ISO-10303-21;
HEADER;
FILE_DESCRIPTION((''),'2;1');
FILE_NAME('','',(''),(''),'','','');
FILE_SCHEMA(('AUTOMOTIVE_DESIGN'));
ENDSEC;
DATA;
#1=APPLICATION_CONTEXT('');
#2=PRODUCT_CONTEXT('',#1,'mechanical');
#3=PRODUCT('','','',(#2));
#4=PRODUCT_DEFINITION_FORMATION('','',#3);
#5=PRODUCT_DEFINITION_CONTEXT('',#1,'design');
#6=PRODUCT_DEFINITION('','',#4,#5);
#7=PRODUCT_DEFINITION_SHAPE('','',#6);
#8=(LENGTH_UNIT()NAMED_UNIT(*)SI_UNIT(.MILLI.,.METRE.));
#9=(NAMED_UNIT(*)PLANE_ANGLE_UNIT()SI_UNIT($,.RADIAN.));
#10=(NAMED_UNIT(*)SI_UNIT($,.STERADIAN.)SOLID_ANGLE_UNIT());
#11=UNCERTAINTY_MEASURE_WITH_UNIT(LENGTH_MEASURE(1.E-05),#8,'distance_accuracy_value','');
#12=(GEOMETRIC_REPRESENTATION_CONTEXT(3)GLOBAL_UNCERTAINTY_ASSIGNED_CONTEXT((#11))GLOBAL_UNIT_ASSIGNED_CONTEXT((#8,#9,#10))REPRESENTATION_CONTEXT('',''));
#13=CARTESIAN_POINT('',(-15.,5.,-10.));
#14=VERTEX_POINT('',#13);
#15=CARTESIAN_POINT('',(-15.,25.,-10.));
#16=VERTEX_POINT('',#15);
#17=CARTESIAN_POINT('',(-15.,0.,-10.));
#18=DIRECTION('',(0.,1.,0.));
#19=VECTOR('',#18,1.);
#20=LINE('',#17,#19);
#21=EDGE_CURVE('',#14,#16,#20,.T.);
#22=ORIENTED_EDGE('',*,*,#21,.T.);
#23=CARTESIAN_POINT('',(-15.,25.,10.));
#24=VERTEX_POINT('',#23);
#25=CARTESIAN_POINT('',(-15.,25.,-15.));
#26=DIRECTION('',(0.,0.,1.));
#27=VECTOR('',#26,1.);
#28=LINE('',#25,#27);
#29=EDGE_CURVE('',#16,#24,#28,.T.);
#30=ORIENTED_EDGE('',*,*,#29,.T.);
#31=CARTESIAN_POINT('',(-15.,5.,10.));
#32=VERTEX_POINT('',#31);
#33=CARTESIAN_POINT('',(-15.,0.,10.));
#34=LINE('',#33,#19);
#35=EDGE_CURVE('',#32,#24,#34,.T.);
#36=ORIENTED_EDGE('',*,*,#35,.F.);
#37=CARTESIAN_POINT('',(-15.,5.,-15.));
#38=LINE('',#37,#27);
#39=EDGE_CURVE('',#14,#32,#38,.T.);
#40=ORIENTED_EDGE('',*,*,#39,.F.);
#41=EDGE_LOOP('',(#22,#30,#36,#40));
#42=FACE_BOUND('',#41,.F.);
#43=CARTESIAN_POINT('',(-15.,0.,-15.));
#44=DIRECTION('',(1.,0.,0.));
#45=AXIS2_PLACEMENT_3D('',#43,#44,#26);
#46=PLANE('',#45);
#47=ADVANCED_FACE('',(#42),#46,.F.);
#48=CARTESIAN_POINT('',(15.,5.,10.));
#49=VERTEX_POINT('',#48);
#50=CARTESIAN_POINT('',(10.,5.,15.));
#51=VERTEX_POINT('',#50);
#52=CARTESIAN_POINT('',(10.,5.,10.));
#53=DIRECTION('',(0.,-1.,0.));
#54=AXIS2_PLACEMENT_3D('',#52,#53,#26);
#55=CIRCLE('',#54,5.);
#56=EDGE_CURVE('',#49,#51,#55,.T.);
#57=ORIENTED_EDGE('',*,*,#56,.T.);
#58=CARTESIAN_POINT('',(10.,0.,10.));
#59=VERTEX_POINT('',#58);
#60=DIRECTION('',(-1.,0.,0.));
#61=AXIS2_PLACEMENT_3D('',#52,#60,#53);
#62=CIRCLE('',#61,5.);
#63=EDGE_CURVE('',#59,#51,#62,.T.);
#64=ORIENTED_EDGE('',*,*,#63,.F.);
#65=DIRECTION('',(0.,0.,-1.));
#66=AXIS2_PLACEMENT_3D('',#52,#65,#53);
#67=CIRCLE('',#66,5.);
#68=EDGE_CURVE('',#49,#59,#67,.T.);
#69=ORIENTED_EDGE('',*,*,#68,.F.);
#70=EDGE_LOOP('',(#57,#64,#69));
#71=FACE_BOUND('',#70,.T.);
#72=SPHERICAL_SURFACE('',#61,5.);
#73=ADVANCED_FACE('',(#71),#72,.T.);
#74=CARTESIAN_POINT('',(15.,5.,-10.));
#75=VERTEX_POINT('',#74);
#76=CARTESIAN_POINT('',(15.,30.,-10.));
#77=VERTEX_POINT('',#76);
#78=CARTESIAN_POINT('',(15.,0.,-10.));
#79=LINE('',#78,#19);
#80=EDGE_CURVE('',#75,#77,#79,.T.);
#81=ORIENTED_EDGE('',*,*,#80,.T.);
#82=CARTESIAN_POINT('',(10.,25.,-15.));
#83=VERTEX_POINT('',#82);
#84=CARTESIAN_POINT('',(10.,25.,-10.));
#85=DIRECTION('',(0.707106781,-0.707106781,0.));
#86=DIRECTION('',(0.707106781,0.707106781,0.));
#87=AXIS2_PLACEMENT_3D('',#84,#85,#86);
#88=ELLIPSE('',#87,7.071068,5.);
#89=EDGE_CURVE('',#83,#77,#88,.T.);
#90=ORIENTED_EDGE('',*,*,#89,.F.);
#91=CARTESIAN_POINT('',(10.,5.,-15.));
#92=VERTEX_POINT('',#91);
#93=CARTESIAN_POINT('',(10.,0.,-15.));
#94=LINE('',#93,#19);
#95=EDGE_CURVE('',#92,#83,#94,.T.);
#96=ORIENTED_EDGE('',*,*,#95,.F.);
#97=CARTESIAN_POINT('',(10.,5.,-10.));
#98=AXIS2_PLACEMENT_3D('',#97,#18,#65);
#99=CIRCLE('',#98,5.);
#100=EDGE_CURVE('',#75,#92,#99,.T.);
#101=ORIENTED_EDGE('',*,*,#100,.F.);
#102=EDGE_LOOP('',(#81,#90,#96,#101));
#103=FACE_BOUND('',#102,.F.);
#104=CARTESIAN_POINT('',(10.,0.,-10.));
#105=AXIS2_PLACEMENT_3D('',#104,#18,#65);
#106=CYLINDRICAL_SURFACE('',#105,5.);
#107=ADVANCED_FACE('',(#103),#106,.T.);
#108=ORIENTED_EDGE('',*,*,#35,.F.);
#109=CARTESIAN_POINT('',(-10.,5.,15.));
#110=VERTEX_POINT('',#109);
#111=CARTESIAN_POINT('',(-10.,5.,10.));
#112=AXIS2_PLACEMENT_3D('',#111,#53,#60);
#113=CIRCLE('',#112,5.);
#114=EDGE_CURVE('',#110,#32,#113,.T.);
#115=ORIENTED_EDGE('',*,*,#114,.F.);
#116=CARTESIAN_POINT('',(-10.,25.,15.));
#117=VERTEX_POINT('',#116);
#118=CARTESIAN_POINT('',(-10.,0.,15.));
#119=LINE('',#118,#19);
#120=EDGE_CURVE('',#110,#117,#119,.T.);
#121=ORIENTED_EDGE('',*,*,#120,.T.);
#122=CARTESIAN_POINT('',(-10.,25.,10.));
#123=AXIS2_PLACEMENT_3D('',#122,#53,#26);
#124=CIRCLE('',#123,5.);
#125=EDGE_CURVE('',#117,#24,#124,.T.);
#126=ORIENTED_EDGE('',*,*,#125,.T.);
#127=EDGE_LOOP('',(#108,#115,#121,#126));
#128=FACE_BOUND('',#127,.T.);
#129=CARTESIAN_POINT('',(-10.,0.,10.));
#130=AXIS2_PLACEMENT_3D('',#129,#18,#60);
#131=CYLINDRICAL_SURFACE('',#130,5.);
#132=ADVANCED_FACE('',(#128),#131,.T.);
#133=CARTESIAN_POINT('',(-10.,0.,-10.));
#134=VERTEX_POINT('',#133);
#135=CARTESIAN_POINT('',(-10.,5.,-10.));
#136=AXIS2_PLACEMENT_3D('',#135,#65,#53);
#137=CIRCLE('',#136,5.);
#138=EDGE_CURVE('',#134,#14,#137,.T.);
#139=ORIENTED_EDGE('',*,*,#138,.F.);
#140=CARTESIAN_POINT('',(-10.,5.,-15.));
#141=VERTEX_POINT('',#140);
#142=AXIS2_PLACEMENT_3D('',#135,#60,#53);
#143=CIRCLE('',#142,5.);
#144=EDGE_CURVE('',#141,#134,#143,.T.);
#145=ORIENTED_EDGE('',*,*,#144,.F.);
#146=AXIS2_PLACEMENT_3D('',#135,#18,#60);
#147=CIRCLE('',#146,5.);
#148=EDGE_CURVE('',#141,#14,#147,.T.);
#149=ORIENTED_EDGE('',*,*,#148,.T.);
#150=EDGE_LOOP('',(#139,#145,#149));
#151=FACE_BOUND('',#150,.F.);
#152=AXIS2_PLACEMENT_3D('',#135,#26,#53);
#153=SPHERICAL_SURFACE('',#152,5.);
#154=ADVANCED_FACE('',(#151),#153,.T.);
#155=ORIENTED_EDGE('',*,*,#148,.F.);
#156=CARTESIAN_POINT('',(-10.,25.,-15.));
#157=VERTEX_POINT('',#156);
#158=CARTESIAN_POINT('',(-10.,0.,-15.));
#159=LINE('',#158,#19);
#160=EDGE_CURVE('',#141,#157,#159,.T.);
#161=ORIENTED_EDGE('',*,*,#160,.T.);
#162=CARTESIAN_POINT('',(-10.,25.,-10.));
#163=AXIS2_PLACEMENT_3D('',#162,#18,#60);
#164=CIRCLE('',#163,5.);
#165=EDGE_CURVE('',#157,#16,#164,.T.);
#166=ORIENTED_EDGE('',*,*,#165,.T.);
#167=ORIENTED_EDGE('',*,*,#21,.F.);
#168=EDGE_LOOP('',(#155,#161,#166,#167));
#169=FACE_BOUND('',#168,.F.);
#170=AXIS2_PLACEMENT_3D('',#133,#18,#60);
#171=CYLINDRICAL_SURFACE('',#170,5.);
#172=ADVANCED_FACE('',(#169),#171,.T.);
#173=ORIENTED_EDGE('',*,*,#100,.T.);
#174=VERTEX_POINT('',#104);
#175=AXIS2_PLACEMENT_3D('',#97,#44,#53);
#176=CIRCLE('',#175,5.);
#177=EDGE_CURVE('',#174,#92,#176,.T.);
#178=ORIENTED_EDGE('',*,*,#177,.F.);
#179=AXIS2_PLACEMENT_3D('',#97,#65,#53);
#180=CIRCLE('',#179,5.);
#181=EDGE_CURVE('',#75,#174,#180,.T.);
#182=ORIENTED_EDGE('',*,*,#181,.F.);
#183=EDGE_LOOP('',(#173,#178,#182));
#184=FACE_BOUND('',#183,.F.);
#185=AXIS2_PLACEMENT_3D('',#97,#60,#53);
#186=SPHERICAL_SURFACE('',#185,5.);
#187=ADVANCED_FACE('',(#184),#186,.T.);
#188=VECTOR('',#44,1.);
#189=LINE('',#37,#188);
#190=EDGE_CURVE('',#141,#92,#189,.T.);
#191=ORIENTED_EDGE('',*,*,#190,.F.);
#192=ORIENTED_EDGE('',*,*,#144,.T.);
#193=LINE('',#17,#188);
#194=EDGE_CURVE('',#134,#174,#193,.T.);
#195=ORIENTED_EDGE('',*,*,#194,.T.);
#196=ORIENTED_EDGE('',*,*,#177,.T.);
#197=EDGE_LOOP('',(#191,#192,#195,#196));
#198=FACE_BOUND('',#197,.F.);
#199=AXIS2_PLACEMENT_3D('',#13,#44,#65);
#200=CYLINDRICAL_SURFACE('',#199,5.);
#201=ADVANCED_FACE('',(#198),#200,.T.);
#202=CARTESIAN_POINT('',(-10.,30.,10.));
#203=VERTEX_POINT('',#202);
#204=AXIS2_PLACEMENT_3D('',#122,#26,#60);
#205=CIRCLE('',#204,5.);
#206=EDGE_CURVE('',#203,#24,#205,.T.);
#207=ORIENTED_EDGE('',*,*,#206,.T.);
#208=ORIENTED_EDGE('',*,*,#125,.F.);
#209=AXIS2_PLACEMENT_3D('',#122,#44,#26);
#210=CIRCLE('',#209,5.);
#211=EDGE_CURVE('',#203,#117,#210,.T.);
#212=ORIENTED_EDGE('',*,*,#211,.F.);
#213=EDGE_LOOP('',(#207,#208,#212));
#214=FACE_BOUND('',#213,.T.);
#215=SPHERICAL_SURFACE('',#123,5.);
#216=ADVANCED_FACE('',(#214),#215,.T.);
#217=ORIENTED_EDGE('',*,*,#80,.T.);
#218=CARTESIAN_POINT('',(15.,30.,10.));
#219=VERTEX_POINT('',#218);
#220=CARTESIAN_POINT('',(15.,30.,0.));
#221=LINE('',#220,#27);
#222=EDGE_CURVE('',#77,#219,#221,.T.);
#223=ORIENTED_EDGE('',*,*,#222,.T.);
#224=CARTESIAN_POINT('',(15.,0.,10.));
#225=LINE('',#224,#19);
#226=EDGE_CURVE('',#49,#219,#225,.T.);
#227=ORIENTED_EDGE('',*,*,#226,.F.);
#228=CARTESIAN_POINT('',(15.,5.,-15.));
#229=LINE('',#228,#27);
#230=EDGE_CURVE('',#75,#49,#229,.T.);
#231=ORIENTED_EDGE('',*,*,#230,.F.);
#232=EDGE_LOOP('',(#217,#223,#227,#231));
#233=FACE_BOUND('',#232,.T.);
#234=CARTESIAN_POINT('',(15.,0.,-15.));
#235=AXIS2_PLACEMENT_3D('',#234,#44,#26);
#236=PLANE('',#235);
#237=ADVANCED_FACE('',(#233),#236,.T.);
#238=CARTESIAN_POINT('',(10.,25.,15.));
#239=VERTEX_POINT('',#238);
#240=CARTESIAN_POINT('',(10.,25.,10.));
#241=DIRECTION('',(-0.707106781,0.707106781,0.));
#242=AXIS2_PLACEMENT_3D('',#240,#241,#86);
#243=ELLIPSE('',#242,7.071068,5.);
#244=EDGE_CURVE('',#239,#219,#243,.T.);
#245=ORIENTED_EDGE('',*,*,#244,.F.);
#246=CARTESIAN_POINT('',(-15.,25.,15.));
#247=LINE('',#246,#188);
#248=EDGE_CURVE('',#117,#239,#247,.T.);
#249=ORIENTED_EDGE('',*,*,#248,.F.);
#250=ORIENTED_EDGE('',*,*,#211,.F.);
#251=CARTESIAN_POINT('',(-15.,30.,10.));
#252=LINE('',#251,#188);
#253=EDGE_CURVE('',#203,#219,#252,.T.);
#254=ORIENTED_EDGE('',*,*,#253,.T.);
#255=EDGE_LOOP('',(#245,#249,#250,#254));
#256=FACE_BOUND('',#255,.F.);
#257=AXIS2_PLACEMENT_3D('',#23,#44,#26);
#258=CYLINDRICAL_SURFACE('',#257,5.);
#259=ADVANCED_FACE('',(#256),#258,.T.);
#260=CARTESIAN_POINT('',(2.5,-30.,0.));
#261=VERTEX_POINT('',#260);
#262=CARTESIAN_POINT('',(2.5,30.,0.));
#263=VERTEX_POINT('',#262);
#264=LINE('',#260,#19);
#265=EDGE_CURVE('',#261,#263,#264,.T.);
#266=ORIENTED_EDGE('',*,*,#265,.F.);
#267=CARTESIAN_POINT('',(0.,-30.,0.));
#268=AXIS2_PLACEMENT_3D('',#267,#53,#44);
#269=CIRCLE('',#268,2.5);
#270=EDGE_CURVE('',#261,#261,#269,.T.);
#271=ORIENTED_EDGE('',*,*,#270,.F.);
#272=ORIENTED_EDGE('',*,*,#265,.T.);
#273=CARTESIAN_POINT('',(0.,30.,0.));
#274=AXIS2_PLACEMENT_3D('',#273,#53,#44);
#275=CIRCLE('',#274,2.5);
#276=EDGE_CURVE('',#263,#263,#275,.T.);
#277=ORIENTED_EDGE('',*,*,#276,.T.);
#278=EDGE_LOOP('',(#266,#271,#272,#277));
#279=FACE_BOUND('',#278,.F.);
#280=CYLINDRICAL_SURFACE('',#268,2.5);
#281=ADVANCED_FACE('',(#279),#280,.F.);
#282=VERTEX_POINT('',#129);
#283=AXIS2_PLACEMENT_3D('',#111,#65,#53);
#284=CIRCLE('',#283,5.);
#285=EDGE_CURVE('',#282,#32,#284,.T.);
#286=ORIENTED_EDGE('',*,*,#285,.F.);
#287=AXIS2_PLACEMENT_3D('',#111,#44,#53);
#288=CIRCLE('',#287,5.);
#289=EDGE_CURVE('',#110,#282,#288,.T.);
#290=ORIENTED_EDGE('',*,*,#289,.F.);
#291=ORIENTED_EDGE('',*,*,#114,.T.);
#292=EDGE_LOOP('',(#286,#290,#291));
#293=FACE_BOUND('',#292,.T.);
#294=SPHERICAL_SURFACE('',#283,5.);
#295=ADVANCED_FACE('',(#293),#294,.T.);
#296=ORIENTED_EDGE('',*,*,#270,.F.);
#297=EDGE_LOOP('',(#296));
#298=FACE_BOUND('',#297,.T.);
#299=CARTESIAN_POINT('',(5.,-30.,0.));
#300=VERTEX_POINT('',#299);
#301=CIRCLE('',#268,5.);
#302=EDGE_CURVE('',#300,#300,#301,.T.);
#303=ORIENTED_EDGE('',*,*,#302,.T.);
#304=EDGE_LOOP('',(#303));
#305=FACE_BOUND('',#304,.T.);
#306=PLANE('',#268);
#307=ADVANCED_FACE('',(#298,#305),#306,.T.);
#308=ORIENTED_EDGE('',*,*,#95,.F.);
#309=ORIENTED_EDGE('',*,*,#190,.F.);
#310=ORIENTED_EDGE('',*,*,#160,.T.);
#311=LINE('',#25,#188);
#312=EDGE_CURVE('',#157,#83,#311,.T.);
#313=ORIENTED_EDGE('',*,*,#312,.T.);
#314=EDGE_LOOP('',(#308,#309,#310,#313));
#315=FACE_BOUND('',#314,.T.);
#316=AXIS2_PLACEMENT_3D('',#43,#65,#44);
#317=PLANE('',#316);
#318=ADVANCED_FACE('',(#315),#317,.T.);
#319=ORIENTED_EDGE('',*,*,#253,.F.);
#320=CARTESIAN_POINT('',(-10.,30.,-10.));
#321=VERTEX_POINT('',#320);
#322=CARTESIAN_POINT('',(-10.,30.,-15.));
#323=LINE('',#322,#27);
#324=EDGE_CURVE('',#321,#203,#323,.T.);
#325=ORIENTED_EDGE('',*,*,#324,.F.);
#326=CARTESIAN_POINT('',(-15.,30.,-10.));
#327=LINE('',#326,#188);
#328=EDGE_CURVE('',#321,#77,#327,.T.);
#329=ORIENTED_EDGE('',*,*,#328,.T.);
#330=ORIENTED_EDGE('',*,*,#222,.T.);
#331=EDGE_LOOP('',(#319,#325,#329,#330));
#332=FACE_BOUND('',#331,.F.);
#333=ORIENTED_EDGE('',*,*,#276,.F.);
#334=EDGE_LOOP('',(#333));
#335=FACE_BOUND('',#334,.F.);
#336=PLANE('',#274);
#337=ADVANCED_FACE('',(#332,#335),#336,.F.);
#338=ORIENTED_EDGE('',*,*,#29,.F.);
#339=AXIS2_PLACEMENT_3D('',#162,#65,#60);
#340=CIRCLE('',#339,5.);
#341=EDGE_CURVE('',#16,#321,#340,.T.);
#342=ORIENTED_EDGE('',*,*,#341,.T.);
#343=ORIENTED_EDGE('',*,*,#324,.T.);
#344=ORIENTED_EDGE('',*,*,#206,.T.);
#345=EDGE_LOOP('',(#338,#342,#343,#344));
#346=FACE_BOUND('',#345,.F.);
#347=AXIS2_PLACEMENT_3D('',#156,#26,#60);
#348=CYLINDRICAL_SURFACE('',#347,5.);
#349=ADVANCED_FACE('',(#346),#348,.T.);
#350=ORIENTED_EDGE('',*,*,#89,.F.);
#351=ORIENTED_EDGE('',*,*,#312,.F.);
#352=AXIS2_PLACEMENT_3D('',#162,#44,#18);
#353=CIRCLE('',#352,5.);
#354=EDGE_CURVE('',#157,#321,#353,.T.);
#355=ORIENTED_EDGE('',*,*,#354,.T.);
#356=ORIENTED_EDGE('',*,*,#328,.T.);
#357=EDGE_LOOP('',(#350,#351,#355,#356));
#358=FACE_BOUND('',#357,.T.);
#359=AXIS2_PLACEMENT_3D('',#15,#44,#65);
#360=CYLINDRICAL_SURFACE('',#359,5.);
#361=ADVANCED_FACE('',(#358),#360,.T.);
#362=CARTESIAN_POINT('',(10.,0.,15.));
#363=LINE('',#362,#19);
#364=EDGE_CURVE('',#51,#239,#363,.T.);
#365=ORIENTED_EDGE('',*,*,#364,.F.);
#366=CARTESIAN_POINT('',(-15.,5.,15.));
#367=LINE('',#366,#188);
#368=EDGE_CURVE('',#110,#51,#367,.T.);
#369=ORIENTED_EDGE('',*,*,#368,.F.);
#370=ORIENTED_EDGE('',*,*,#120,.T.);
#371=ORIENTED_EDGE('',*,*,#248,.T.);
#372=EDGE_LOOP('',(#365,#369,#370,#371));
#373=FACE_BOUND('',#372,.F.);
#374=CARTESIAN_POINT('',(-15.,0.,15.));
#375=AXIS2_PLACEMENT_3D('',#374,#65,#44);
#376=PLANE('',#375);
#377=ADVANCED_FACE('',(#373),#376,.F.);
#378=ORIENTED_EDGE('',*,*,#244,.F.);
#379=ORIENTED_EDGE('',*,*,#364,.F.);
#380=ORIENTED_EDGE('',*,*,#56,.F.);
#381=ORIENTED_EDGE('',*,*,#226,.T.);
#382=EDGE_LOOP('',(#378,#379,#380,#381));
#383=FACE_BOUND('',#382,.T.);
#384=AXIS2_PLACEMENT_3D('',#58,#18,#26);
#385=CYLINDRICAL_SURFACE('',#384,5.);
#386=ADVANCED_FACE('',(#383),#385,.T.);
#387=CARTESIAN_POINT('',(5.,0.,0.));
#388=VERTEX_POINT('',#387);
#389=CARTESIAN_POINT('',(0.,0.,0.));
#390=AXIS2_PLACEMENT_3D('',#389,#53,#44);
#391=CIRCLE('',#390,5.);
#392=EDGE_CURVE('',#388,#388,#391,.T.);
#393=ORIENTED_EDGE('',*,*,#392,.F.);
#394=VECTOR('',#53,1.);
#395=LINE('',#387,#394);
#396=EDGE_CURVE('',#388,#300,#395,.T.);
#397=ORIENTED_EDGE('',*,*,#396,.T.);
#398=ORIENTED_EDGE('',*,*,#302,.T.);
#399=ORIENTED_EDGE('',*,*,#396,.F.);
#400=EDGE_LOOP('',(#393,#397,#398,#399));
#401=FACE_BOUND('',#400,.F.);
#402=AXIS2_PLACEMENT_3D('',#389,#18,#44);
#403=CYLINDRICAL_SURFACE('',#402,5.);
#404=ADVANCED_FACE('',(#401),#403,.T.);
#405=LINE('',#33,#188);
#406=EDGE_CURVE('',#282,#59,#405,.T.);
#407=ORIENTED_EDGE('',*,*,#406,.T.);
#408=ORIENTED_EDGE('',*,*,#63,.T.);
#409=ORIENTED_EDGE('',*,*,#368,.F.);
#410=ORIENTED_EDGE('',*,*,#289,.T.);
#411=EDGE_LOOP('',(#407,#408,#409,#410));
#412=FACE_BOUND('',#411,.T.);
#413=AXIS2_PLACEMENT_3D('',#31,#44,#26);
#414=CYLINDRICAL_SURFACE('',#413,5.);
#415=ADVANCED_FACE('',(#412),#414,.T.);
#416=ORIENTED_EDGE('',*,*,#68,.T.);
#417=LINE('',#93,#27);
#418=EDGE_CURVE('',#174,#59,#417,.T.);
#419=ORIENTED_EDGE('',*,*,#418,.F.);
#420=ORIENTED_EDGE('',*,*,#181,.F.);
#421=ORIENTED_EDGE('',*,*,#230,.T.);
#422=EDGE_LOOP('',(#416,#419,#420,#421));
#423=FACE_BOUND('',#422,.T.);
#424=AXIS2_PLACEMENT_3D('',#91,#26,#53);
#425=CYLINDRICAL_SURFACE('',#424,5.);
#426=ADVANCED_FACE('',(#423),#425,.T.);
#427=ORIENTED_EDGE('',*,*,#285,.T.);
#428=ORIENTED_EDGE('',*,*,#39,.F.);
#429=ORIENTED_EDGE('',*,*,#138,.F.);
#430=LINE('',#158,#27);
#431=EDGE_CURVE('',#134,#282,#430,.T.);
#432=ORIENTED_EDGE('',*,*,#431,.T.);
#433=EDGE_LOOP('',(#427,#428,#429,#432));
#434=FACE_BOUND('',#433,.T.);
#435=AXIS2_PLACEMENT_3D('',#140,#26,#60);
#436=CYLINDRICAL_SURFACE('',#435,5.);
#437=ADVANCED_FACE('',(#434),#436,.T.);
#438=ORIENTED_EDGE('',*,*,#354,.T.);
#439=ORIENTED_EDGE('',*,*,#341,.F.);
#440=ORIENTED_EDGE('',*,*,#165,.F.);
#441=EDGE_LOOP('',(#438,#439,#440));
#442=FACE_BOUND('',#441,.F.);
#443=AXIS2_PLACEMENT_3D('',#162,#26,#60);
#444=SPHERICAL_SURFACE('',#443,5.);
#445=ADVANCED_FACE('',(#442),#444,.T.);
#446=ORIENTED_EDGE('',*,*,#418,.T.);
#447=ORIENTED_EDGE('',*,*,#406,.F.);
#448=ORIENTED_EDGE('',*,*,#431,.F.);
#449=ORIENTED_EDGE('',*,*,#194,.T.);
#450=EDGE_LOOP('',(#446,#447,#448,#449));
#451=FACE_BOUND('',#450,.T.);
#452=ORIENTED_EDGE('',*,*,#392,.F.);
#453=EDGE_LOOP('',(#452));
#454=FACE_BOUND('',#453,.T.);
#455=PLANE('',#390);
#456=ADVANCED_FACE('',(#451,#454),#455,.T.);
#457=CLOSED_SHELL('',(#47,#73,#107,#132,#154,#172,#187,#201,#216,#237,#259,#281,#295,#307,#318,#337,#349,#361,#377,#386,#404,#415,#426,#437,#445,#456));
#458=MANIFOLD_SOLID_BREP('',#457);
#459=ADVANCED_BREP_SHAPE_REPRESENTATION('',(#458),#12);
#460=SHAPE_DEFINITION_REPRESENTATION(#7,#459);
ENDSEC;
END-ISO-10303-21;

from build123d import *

# Parameters (mm, degrees)
F0_W     = 30
F0_H     = 30
F1_DEPTH = 30
F2_R     = 5
F3_DEPTH = 30
F4_R     = 2.5
F5_DEPTH = 60.001
F6_R     = 5


with BuildPart() as f1:
    # F0 (on Front) → F1 (new body)
    with BuildSketch(Plane.XZ):
        Rectangle(F0_W, F0_H)
    extrude(amount=-F1_DEPTH)

    # F2 (on face) → F3 (join)
    with BuildSketch(Plane.XZ):
        Circle(F2_R)
    extrude(amount=F3_DEPTH)

    # F4 (on face) → F5 (cut, through all)
    with BuildSketch(Plane.XZ.offset(30)):
        Circle(F4_R)
    extrude(amount=-F5_DEPTH, mode=Mode.SUBTRACT)

    # F6
    f6_edges = [f1.edges().sort_by_distance(p)[0] for p in [
        (-15, 0, 0),
        (0, 0, -15),
        (0, 0, 15),
        (15, 0, 0),
        (-15, 15, 15),
        (15, 15, 15),
        (0, 30, 15),
        (-15, 30, 0),
        (-15, 15, -15),
        (0, 30, -15),
        (15, 15, -15),
    ]]
    fillet(f6_edges, radius=F6_R)


solid = f1.part
